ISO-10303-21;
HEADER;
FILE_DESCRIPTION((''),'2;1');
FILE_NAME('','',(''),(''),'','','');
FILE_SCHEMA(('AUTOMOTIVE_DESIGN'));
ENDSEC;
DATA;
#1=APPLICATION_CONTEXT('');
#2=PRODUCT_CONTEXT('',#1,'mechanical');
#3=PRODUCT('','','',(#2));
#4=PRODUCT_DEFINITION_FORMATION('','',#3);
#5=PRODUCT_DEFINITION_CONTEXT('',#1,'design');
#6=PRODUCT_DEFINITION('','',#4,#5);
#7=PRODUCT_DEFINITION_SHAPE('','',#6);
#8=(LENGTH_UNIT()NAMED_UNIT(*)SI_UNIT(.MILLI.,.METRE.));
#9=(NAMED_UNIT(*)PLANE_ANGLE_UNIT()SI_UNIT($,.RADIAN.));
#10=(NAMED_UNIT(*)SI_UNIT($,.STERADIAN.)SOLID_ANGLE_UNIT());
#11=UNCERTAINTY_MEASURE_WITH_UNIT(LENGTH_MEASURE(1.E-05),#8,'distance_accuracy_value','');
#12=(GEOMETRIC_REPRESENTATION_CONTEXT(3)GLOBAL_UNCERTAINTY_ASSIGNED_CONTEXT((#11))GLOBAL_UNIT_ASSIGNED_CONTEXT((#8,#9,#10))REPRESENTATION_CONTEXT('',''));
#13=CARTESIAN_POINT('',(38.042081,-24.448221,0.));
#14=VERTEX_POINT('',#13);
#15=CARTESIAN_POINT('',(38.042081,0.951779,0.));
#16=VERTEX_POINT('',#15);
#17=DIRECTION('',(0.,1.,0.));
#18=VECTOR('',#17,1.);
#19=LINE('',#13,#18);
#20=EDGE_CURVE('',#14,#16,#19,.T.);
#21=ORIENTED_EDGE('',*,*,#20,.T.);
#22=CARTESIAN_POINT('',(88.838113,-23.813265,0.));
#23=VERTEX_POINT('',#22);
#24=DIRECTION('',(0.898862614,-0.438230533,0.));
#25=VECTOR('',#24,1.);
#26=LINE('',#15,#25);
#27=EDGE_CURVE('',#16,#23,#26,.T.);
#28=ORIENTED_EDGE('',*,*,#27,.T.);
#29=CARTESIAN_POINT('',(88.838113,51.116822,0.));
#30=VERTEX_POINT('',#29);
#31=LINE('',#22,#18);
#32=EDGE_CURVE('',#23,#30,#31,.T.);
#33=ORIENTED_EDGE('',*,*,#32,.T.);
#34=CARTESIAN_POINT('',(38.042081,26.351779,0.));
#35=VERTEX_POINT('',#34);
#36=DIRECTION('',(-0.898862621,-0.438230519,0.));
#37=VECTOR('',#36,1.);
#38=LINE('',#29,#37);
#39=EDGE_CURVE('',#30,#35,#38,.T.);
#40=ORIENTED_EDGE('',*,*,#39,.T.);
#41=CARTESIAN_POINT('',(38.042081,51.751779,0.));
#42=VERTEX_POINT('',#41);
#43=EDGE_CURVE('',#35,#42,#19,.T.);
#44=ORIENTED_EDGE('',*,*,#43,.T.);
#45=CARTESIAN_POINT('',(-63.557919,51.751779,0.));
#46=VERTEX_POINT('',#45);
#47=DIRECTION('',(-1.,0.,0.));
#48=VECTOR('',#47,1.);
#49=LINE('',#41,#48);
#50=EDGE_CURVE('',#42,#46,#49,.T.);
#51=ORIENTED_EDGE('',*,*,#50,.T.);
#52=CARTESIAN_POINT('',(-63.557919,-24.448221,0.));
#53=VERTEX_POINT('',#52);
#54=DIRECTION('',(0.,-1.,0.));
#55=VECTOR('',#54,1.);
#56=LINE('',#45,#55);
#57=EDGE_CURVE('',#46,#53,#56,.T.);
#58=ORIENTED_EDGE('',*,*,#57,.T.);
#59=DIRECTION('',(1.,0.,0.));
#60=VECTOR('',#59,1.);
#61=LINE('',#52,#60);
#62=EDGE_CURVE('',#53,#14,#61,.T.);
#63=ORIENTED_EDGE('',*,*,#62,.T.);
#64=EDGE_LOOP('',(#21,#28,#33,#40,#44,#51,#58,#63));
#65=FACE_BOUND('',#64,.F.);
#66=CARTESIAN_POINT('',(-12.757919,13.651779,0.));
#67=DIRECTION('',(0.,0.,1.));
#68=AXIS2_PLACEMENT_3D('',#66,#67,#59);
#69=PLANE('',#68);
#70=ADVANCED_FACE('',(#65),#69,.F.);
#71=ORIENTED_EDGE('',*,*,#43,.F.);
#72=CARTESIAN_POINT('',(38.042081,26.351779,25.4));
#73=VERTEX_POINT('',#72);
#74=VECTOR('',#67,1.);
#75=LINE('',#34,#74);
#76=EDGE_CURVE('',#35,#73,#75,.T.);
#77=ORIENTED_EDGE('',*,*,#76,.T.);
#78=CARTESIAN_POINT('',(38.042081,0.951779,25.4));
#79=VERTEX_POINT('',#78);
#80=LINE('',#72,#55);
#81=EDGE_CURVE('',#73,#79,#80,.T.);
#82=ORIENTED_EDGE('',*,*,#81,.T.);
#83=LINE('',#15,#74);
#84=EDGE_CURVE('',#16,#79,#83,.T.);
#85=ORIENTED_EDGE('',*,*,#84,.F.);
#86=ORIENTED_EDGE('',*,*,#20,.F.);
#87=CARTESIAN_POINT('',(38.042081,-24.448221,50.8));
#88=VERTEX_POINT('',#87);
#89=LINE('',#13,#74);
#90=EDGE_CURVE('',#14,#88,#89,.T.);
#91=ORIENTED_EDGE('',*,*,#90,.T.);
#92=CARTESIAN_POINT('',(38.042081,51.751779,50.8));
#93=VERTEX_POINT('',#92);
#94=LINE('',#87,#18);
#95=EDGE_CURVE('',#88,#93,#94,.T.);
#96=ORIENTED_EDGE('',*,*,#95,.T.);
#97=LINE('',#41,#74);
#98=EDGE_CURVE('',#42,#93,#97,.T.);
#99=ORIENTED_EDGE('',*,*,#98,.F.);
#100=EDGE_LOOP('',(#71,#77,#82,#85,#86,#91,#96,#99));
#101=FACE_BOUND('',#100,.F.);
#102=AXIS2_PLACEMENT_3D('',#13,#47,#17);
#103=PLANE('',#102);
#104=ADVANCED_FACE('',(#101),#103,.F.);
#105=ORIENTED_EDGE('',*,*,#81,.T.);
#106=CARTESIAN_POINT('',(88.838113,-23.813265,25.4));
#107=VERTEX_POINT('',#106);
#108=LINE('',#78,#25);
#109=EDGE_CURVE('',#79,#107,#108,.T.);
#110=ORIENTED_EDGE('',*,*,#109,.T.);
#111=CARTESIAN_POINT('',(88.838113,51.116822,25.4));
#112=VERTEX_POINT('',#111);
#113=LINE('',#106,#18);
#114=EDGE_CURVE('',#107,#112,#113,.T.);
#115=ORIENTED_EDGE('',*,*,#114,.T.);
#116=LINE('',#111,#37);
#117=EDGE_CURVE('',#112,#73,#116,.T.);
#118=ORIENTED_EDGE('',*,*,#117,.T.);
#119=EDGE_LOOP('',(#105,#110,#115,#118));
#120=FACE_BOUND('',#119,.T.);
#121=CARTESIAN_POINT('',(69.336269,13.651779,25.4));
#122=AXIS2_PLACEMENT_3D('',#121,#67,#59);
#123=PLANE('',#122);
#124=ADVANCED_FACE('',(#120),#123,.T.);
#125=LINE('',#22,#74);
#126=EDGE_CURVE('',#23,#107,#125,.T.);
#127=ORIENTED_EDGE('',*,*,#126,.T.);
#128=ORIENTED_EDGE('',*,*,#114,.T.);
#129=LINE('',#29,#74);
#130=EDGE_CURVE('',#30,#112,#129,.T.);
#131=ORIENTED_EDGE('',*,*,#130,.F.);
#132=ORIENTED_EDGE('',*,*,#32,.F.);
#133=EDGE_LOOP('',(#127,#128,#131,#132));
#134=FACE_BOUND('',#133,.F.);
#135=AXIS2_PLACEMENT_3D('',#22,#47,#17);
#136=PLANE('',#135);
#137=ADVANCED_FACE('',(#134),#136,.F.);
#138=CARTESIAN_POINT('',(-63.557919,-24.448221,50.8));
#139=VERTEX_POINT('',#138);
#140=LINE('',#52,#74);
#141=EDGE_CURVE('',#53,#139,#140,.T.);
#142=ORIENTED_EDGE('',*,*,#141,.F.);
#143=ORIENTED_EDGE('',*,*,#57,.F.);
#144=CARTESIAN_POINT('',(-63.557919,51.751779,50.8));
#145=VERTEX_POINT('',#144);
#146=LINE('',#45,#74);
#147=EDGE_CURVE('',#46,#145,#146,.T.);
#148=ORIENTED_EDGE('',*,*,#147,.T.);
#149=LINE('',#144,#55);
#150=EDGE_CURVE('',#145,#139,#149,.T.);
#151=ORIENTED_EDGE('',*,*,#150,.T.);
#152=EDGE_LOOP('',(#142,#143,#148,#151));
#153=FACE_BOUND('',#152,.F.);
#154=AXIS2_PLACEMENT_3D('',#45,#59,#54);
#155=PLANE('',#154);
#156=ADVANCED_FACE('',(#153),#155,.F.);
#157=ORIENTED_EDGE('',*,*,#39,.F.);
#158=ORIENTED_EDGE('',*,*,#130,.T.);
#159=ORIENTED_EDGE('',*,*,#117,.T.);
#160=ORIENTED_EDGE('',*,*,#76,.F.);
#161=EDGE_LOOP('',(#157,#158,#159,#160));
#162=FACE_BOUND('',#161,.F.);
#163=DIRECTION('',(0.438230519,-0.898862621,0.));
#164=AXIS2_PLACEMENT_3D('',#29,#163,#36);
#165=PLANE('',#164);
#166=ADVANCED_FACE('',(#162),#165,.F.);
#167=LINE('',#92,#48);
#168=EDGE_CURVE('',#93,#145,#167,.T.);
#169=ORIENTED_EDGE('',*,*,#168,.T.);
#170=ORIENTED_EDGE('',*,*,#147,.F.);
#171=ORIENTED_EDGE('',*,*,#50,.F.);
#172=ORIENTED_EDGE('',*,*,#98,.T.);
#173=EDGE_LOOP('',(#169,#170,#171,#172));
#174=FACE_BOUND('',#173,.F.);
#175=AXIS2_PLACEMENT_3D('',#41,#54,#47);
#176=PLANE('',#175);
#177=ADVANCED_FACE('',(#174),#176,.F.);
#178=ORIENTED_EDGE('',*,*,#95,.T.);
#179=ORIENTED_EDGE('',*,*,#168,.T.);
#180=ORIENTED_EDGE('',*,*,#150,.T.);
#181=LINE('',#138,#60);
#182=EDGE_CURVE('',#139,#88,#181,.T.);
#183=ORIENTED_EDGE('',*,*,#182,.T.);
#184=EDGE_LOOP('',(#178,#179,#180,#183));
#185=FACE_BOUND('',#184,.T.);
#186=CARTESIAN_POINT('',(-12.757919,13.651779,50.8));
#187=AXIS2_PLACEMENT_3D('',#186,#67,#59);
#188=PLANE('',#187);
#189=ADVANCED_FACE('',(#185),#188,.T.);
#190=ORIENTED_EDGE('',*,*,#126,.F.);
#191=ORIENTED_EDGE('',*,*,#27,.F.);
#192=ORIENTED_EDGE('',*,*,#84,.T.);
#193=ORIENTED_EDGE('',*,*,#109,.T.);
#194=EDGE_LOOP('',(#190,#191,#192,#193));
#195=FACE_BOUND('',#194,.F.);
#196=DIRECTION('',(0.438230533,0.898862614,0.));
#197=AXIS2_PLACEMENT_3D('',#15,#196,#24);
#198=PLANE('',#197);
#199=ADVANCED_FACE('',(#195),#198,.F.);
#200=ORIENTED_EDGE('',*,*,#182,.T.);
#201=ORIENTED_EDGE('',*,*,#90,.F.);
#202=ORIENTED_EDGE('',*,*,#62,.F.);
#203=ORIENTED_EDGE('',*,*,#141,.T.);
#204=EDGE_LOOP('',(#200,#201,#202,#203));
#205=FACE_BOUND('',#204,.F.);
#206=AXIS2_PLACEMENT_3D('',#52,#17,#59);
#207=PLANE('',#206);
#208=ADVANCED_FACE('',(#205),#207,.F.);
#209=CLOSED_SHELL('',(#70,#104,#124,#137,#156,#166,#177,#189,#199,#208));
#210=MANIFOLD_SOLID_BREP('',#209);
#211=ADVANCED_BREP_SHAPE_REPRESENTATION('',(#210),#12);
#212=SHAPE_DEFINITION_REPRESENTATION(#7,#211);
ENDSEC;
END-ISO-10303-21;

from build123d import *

# Parameters (mm, degrees)
F1_DEPTH = 25.4
F2_DEPTH = 50.8


with BuildPart() as f1:
    # F0 (on Top) → F1 (new body)
    with BuildSketch(Plane.XY):
        Polygon((88.838113, 51.116822), (38.042081, 26.351779), (38.042081, 0.951779), (88.838113, -23.813265), align=None)
    extrude(amount=F1_DEPTH)

    # F0 (on Top) → F2 (join)
    with BuildSketch(Plane.XY):
        Polygon((38.042081, 51.751779), (-63.557919, 51.751779), (-63.557919, -24.448221), (38.042081, -24.448221), (38.042081, 0.951779), (38.042081, 26.351779), align=None)
    extrude(amount=F2_DEPTH)


solid = f1.part
